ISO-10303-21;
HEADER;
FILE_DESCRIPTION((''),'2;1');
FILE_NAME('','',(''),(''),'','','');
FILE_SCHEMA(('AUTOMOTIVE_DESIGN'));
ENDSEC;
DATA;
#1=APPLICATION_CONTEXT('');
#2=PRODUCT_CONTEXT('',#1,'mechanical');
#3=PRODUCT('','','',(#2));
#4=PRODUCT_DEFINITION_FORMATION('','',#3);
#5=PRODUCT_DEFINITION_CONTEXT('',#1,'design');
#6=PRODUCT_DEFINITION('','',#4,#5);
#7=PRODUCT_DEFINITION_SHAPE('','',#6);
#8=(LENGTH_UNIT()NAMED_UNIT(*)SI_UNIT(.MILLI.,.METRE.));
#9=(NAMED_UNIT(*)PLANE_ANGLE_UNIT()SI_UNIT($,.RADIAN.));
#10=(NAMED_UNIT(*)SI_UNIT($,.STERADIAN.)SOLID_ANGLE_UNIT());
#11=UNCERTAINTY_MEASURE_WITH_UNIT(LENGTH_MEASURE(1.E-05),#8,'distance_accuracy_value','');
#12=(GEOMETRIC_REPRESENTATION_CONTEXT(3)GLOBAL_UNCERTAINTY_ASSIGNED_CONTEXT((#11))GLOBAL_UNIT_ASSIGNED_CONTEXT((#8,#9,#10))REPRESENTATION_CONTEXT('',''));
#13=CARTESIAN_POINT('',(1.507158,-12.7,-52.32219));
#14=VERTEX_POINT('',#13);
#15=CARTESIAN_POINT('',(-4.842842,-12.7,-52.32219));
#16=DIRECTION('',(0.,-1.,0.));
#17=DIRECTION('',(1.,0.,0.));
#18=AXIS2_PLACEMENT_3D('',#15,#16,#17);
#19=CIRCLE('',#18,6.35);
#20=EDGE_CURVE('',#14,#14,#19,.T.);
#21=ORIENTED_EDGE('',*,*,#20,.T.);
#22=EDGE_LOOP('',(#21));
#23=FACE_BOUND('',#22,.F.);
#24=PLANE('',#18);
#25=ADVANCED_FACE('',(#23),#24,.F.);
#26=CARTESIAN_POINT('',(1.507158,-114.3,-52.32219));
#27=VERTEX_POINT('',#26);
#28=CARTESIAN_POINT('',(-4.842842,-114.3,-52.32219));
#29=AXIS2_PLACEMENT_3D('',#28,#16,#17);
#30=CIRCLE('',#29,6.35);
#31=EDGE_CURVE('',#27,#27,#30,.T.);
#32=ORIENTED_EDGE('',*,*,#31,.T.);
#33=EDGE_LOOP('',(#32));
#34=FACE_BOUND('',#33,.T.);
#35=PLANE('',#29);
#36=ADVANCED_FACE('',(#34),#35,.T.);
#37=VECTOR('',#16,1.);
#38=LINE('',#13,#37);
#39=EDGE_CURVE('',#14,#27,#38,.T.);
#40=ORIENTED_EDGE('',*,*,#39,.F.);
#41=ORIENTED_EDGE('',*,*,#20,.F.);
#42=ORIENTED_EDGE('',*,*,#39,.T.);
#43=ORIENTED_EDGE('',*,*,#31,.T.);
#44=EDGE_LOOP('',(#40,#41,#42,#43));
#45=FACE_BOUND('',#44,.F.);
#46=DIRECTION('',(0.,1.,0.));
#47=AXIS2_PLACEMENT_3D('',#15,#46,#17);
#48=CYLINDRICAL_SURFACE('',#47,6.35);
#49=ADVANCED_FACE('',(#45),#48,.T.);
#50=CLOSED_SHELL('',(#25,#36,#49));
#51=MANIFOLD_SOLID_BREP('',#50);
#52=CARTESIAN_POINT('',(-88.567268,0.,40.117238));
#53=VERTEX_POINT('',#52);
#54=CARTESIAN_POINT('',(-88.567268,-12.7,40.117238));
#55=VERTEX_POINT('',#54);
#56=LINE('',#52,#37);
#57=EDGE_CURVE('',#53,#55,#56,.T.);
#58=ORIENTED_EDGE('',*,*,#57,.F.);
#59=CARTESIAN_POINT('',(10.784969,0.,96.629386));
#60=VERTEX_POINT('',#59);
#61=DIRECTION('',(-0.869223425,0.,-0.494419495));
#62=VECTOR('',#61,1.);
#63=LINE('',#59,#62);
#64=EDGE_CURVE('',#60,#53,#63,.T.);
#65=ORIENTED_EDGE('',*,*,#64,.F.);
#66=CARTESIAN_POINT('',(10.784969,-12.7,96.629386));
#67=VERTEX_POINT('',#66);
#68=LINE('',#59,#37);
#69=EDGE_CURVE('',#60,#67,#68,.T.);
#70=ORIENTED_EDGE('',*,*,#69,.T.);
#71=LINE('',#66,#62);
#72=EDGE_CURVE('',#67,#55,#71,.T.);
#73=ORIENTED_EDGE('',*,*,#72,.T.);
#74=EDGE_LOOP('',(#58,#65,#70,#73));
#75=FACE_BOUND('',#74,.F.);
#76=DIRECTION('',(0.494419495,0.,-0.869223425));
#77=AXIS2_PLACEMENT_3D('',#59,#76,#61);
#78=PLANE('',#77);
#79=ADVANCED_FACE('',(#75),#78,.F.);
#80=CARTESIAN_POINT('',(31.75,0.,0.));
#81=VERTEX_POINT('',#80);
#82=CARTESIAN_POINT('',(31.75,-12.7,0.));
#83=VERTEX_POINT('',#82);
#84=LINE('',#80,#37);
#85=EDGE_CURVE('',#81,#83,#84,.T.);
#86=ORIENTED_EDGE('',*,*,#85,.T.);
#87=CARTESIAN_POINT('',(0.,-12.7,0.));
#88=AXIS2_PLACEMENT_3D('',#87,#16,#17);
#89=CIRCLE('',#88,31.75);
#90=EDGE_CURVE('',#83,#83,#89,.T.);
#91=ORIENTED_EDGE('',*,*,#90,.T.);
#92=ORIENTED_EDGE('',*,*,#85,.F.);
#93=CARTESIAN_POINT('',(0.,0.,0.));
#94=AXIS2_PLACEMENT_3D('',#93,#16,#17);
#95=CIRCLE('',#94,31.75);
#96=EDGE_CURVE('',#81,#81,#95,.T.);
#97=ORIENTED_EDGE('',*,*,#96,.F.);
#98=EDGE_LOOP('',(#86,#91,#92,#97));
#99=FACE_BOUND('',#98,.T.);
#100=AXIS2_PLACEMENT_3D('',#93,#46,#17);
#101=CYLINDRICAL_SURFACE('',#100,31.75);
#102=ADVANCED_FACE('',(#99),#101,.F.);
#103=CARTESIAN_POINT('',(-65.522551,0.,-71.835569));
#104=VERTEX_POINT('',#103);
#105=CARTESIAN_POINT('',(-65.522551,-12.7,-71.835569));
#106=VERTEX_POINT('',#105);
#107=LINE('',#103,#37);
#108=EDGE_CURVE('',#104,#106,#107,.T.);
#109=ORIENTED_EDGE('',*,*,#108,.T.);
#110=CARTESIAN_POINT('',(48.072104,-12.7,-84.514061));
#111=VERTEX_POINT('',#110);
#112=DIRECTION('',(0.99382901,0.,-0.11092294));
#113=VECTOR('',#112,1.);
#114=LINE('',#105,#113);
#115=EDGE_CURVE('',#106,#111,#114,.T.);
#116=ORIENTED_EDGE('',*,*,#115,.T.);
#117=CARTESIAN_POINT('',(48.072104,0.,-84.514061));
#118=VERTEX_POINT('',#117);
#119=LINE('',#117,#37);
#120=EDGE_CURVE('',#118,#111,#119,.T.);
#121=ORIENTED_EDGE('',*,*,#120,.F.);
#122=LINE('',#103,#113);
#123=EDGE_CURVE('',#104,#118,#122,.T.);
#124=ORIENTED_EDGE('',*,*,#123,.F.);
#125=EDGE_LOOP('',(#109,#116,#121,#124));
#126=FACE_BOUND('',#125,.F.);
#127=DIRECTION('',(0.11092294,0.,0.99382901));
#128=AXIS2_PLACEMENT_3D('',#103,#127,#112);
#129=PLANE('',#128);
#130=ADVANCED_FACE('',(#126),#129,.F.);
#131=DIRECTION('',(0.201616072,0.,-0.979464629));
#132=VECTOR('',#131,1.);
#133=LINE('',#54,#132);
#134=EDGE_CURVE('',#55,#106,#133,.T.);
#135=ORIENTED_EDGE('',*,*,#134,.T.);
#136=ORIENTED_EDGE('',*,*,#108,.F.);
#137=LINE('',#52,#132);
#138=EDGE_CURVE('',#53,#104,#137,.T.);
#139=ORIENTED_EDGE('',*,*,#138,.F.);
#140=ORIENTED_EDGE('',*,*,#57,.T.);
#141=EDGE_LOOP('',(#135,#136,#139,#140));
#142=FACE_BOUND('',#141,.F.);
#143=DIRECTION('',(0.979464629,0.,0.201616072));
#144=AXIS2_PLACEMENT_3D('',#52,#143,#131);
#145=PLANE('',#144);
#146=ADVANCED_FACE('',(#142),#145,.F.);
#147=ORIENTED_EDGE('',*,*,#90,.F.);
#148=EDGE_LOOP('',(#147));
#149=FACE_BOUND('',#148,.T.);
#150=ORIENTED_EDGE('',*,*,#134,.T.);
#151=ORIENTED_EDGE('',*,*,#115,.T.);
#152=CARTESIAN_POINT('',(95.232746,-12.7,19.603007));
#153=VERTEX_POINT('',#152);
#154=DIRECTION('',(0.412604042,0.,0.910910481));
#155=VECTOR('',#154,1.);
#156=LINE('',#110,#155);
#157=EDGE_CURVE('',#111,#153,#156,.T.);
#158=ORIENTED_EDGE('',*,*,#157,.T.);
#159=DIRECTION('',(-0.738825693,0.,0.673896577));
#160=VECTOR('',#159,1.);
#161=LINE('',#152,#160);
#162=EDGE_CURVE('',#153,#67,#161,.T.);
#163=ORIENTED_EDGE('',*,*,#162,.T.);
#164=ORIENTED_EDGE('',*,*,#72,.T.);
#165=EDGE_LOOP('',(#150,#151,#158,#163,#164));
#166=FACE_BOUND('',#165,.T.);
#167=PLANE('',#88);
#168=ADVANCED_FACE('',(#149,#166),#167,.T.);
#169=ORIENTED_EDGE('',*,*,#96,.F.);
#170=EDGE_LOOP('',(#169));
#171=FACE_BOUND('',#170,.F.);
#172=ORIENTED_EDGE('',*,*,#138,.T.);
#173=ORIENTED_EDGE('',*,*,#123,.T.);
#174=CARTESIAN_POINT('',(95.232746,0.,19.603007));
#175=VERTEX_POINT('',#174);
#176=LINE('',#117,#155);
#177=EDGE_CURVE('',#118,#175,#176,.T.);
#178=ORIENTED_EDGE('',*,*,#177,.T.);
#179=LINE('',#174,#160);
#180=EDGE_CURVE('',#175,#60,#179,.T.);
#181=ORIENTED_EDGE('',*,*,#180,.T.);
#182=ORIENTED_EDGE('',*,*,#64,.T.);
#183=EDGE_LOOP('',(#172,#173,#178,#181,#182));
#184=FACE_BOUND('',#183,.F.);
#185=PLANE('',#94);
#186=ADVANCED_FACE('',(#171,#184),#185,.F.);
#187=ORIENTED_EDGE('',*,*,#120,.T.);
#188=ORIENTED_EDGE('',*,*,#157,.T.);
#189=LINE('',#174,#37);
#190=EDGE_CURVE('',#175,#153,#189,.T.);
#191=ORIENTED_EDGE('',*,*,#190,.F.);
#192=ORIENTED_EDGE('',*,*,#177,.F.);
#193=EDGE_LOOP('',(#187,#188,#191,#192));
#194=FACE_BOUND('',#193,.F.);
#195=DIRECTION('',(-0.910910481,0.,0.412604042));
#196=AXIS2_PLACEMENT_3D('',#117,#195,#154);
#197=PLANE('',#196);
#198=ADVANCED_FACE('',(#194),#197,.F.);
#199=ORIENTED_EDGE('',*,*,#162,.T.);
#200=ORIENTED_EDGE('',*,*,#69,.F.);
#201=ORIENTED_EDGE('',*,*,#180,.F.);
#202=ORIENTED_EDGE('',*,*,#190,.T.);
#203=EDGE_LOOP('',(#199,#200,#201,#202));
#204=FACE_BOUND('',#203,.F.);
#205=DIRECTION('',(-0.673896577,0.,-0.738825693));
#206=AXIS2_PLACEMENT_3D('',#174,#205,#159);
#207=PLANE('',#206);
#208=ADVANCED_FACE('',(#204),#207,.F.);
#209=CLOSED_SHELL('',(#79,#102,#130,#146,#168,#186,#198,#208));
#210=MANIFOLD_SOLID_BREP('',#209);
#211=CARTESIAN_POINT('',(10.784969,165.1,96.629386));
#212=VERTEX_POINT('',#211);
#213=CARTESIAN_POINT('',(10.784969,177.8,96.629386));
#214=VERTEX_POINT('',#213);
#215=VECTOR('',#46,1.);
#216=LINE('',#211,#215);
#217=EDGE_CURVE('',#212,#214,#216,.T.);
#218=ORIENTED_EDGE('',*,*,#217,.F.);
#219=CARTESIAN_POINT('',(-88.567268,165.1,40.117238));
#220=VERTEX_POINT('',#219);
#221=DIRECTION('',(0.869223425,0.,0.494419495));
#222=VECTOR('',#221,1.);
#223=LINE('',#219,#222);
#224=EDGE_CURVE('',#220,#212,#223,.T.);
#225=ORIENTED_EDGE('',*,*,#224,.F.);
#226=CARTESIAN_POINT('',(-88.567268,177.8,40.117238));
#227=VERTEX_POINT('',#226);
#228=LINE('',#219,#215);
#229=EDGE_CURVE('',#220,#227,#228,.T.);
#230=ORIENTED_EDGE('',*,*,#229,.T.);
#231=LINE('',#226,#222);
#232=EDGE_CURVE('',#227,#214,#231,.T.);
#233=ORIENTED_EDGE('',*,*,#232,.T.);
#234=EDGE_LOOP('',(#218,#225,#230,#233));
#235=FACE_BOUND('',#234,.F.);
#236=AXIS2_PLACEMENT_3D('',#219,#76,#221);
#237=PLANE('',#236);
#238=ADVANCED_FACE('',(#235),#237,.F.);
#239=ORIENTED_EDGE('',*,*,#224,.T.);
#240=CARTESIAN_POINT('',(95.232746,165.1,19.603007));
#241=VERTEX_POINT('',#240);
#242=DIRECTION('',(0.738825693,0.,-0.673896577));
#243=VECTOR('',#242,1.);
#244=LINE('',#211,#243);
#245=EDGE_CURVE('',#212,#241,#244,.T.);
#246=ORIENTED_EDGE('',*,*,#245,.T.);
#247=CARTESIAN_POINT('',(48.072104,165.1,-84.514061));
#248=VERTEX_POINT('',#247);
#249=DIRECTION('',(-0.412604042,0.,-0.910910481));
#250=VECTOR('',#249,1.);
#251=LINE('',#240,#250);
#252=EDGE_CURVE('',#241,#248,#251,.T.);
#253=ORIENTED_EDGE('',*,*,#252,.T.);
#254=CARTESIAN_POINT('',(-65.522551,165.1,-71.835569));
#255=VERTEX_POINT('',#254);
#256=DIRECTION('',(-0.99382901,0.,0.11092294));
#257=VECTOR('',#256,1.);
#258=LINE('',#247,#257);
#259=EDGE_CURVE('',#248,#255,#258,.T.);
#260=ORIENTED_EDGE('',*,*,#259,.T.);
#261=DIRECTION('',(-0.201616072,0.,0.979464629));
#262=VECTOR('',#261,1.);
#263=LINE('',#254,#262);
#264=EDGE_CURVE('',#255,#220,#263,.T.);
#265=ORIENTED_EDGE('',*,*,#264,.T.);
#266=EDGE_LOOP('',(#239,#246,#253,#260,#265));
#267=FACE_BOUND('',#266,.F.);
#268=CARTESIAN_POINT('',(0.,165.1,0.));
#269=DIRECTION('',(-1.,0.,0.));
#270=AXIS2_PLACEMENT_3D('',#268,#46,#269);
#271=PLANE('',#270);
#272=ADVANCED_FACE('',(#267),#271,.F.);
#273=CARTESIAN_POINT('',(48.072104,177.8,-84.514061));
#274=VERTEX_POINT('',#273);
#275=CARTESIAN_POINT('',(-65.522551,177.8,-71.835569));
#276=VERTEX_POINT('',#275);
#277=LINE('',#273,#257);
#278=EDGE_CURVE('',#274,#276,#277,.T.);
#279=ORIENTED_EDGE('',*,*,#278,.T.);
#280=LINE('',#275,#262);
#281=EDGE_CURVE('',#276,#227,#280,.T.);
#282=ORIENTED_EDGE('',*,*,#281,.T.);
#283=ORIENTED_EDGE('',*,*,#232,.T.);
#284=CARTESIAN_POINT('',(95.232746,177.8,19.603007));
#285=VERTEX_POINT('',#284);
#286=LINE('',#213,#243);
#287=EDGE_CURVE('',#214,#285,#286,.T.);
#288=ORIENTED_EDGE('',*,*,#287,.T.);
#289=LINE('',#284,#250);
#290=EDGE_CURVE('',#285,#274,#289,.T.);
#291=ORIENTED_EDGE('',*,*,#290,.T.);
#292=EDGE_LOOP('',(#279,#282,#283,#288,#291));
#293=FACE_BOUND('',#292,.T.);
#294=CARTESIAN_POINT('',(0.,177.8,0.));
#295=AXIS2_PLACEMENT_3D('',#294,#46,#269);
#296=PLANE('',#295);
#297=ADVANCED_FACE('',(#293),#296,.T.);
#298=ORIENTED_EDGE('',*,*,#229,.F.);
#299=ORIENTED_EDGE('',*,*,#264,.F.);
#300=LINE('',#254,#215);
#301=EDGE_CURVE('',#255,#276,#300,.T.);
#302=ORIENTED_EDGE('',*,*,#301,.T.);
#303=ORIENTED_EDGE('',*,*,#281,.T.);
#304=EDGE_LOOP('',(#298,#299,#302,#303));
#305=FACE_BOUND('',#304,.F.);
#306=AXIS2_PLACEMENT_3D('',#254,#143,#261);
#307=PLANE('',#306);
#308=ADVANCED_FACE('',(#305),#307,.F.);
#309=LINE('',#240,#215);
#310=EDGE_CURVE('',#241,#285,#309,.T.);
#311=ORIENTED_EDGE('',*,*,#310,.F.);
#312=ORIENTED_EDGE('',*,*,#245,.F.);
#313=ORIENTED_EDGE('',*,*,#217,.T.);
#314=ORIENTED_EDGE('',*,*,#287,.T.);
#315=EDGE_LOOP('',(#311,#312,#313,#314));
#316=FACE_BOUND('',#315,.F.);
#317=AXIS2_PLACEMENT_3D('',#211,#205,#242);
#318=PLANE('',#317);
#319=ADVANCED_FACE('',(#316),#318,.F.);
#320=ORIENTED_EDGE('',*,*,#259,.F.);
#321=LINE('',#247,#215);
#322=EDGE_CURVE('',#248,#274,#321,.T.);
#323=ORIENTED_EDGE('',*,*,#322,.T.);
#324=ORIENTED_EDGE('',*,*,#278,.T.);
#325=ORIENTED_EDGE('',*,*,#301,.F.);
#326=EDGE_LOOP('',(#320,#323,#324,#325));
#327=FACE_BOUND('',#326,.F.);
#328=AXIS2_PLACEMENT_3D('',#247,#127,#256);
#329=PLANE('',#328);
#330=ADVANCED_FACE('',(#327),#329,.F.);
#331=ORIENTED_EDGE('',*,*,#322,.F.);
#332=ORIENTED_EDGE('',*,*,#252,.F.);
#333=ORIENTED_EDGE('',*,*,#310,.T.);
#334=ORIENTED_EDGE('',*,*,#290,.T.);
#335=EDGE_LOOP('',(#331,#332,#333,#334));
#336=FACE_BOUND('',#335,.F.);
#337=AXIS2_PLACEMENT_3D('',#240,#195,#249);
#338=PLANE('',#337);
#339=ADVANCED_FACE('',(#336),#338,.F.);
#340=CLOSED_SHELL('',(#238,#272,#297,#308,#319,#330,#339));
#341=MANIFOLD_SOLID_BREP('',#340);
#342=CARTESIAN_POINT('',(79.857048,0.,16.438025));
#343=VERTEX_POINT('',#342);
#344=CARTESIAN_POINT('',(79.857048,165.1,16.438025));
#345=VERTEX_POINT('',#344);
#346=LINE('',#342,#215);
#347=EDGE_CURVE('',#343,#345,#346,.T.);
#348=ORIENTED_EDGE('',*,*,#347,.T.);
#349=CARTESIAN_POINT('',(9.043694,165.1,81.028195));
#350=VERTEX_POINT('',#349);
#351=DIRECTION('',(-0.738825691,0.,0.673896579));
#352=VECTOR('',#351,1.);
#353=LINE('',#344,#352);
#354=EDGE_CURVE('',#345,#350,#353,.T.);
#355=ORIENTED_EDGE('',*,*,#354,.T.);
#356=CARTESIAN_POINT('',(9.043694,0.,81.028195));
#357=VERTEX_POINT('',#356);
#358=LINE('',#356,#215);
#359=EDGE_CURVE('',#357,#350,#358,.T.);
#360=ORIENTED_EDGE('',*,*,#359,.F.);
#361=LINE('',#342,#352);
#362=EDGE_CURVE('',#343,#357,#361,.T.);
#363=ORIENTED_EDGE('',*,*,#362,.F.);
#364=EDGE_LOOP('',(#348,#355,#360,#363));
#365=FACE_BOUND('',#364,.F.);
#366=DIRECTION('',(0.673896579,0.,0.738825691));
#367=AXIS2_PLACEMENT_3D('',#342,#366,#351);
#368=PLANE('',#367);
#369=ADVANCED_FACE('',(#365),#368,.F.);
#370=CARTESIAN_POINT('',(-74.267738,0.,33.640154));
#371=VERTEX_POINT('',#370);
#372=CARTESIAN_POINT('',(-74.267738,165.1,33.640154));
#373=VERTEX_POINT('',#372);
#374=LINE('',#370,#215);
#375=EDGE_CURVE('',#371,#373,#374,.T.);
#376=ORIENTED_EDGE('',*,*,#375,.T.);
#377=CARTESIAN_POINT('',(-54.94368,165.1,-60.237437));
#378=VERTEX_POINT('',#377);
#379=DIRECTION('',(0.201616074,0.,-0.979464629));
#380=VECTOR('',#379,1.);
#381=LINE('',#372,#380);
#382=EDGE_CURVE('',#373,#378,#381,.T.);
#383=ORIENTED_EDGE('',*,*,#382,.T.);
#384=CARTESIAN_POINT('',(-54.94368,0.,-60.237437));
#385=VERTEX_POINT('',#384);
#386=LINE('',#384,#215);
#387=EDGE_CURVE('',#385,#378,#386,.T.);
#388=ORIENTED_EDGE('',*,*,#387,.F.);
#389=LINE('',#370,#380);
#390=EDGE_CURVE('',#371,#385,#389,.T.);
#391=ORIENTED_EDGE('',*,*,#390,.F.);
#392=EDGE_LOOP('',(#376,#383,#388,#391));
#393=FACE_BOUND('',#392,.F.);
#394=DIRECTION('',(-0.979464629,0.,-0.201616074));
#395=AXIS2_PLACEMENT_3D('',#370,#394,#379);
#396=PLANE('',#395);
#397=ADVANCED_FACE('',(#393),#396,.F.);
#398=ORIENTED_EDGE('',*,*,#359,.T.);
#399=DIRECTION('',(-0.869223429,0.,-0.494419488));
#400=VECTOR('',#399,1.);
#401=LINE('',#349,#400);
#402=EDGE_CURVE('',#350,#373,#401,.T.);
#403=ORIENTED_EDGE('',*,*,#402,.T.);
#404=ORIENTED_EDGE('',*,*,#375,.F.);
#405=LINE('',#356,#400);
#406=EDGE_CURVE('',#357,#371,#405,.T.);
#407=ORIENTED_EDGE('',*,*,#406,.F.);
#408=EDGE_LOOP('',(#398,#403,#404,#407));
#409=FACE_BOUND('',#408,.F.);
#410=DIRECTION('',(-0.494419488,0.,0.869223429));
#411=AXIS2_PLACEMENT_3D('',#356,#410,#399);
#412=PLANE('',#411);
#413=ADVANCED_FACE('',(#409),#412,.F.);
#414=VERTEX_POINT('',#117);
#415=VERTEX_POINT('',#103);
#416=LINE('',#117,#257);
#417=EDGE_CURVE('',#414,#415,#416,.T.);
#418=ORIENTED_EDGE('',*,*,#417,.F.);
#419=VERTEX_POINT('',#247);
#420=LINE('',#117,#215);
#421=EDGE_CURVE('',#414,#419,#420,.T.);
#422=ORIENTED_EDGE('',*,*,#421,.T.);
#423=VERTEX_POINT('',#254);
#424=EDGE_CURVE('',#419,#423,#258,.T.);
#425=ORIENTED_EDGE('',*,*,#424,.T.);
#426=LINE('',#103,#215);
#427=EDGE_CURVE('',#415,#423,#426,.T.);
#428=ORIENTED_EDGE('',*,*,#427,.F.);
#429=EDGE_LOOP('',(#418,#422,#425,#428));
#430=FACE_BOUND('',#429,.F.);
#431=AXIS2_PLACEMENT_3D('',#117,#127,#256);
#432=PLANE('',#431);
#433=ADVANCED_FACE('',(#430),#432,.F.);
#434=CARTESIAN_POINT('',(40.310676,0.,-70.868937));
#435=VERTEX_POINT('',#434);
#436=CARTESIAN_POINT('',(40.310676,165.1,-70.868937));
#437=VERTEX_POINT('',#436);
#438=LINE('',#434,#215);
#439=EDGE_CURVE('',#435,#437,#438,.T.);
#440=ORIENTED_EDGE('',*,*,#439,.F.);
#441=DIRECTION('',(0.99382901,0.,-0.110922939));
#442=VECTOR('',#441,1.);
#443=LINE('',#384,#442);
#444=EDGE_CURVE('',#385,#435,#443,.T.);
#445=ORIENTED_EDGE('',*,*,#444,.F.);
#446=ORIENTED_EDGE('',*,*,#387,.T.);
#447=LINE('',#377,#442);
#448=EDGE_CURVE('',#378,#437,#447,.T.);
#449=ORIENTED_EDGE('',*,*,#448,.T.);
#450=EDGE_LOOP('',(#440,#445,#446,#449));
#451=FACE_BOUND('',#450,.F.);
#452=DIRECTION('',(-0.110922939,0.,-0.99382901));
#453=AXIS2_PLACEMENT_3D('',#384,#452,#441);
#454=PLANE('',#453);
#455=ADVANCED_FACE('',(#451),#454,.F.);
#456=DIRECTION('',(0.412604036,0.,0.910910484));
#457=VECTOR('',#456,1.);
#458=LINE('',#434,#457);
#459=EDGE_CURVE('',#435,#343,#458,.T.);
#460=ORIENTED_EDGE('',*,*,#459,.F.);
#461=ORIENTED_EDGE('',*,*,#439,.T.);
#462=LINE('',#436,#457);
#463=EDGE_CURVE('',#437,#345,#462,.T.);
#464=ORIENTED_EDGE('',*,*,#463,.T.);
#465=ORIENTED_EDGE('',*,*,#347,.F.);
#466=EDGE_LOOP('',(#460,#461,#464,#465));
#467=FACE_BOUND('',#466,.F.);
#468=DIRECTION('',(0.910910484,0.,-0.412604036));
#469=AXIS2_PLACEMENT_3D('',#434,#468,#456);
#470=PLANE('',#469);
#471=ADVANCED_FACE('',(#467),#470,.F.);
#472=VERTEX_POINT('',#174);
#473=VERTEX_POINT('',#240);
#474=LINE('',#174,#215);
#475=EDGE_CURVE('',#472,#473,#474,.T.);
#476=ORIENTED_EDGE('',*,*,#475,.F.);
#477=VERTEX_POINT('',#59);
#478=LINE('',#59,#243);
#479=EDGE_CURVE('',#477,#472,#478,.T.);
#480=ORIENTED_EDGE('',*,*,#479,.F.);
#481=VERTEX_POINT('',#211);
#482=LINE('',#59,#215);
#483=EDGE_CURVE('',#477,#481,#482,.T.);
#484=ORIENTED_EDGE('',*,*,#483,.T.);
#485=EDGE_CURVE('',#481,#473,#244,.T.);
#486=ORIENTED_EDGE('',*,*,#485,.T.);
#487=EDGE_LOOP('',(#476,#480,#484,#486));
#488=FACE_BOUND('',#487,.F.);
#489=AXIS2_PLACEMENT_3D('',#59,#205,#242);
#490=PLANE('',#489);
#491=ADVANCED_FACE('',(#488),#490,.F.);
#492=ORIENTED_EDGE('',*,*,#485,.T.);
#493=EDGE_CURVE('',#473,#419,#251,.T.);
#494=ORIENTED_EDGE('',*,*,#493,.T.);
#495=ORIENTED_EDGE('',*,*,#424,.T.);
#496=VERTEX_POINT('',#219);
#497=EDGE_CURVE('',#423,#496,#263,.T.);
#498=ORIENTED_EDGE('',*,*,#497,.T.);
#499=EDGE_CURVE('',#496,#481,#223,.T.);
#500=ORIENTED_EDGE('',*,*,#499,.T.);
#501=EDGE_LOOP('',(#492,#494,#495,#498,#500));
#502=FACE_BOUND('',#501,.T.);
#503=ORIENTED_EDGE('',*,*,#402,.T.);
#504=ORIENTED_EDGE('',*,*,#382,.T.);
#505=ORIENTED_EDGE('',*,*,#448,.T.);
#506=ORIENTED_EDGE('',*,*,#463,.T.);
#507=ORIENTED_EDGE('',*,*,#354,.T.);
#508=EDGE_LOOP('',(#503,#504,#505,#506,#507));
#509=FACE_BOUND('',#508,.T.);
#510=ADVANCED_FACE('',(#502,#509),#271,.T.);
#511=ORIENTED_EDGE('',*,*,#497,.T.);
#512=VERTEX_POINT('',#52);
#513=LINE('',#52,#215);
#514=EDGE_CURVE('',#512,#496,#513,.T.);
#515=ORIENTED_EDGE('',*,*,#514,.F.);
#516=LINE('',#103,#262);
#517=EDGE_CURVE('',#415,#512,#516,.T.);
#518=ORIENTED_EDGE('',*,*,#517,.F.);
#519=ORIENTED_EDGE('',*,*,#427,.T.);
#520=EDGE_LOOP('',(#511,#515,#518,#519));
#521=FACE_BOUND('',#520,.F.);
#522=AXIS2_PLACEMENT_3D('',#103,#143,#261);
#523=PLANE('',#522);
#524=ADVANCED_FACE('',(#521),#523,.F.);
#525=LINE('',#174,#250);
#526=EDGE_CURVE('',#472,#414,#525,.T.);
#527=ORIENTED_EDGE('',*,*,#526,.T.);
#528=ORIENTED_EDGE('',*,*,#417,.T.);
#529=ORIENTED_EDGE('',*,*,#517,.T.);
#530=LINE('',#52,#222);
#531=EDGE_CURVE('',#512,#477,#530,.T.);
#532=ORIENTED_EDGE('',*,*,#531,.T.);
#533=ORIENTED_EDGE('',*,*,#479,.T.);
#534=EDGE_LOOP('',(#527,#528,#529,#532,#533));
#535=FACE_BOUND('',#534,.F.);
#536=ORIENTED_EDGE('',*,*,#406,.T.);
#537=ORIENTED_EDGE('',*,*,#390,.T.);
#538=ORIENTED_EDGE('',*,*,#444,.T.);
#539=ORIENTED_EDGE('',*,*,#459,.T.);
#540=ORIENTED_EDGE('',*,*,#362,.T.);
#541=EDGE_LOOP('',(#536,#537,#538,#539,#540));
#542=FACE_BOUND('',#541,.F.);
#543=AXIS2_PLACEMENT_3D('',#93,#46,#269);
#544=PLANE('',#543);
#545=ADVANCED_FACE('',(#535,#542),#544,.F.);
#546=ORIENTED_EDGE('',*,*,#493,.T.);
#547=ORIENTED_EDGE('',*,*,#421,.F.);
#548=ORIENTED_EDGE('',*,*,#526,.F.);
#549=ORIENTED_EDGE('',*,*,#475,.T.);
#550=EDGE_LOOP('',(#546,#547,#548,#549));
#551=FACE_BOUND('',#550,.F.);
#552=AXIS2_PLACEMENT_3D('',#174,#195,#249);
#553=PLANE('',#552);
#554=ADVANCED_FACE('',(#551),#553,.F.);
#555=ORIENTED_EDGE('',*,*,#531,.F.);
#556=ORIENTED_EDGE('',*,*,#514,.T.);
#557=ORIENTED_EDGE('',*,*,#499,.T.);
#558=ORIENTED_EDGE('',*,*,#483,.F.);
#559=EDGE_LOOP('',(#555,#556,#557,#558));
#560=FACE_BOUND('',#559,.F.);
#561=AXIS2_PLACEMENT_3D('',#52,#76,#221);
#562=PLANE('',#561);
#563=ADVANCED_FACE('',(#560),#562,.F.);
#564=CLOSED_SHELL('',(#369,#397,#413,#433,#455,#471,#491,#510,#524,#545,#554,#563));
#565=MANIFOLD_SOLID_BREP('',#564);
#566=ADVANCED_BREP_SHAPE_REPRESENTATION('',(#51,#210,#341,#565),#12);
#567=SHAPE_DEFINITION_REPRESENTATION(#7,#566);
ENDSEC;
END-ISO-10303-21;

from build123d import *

# Parameters (mm, degrees)
F0_R     = 31.75
F1_DEPTH = 12.7
F3_DEPTH = 165.1
F5_DEPTH = 12.7
F6_R     = 6.35
F7_DEPTH = 101.6


with BuildPart() as f1:
    # F0 (on Front) → F1 (new body)
    with BuildSketch(Plane.XZ):
        Polygon((10.784969, 96.629386), (-88.567268, 40.117238), (-65.522551, -71.835569), (48.072104, -84.514061), (95.232746, 19.603007), align=None)
        Circle(F0_R, mode=Mode.SUBTRACT)
    extrude(amount=F1_DEPTH)


with BuildPart() as f3:
    # F2 (on face) → F3 (new body)
    with BuildSketch(Plane(origin=(0, 0, 0), x_dir=(-1, 0, 0), z_dir=(0, 1, 0))):
        Polygon((-10.784969, 96.629386), (-95.232746, 19.603007), (-48.072104, -84.514061), (65.522551, -71.835569), (88.567268, 40.117238), align=None)
        Polygon((-79.857048, 16.438025), (-9.043694, 81.028195), (74.267738, 33.640154), (54.94368, -60.237437), (-40.310676, -70.868937), align=None, mode=Mode.SUBTRACT)
    extrude(amount=F3_DEPTH)


with BuildPart() as f5:
    # F4 (on face) → F5 (new body)
    with BuildSketch(Plane(origin=(0, 165.1, 0), x_dir=(-1, 0, 0), z_dir=(0, 1, 0))):
        Polygon((-10.784969, 96.629386), (-95.232746, 19.603007), (-48.072104, -84.514061), (65.522551, -71.835569), (88.567268, 40.117238), align=None)
    extrude(amount=F5_DEPTH)


with BuildPart() as f7:
    # F6 (on face) → F7 (new body)
    with BuildSketch(Plane.XZ.offset(12.7)):
        with Locations((-4.842842, -52.32219)):
            Circle(F6_R)
    extrude(amount=F7_DEPTH)


solid = Compound([f1.part, f3.part, f5.part, f7.part])
